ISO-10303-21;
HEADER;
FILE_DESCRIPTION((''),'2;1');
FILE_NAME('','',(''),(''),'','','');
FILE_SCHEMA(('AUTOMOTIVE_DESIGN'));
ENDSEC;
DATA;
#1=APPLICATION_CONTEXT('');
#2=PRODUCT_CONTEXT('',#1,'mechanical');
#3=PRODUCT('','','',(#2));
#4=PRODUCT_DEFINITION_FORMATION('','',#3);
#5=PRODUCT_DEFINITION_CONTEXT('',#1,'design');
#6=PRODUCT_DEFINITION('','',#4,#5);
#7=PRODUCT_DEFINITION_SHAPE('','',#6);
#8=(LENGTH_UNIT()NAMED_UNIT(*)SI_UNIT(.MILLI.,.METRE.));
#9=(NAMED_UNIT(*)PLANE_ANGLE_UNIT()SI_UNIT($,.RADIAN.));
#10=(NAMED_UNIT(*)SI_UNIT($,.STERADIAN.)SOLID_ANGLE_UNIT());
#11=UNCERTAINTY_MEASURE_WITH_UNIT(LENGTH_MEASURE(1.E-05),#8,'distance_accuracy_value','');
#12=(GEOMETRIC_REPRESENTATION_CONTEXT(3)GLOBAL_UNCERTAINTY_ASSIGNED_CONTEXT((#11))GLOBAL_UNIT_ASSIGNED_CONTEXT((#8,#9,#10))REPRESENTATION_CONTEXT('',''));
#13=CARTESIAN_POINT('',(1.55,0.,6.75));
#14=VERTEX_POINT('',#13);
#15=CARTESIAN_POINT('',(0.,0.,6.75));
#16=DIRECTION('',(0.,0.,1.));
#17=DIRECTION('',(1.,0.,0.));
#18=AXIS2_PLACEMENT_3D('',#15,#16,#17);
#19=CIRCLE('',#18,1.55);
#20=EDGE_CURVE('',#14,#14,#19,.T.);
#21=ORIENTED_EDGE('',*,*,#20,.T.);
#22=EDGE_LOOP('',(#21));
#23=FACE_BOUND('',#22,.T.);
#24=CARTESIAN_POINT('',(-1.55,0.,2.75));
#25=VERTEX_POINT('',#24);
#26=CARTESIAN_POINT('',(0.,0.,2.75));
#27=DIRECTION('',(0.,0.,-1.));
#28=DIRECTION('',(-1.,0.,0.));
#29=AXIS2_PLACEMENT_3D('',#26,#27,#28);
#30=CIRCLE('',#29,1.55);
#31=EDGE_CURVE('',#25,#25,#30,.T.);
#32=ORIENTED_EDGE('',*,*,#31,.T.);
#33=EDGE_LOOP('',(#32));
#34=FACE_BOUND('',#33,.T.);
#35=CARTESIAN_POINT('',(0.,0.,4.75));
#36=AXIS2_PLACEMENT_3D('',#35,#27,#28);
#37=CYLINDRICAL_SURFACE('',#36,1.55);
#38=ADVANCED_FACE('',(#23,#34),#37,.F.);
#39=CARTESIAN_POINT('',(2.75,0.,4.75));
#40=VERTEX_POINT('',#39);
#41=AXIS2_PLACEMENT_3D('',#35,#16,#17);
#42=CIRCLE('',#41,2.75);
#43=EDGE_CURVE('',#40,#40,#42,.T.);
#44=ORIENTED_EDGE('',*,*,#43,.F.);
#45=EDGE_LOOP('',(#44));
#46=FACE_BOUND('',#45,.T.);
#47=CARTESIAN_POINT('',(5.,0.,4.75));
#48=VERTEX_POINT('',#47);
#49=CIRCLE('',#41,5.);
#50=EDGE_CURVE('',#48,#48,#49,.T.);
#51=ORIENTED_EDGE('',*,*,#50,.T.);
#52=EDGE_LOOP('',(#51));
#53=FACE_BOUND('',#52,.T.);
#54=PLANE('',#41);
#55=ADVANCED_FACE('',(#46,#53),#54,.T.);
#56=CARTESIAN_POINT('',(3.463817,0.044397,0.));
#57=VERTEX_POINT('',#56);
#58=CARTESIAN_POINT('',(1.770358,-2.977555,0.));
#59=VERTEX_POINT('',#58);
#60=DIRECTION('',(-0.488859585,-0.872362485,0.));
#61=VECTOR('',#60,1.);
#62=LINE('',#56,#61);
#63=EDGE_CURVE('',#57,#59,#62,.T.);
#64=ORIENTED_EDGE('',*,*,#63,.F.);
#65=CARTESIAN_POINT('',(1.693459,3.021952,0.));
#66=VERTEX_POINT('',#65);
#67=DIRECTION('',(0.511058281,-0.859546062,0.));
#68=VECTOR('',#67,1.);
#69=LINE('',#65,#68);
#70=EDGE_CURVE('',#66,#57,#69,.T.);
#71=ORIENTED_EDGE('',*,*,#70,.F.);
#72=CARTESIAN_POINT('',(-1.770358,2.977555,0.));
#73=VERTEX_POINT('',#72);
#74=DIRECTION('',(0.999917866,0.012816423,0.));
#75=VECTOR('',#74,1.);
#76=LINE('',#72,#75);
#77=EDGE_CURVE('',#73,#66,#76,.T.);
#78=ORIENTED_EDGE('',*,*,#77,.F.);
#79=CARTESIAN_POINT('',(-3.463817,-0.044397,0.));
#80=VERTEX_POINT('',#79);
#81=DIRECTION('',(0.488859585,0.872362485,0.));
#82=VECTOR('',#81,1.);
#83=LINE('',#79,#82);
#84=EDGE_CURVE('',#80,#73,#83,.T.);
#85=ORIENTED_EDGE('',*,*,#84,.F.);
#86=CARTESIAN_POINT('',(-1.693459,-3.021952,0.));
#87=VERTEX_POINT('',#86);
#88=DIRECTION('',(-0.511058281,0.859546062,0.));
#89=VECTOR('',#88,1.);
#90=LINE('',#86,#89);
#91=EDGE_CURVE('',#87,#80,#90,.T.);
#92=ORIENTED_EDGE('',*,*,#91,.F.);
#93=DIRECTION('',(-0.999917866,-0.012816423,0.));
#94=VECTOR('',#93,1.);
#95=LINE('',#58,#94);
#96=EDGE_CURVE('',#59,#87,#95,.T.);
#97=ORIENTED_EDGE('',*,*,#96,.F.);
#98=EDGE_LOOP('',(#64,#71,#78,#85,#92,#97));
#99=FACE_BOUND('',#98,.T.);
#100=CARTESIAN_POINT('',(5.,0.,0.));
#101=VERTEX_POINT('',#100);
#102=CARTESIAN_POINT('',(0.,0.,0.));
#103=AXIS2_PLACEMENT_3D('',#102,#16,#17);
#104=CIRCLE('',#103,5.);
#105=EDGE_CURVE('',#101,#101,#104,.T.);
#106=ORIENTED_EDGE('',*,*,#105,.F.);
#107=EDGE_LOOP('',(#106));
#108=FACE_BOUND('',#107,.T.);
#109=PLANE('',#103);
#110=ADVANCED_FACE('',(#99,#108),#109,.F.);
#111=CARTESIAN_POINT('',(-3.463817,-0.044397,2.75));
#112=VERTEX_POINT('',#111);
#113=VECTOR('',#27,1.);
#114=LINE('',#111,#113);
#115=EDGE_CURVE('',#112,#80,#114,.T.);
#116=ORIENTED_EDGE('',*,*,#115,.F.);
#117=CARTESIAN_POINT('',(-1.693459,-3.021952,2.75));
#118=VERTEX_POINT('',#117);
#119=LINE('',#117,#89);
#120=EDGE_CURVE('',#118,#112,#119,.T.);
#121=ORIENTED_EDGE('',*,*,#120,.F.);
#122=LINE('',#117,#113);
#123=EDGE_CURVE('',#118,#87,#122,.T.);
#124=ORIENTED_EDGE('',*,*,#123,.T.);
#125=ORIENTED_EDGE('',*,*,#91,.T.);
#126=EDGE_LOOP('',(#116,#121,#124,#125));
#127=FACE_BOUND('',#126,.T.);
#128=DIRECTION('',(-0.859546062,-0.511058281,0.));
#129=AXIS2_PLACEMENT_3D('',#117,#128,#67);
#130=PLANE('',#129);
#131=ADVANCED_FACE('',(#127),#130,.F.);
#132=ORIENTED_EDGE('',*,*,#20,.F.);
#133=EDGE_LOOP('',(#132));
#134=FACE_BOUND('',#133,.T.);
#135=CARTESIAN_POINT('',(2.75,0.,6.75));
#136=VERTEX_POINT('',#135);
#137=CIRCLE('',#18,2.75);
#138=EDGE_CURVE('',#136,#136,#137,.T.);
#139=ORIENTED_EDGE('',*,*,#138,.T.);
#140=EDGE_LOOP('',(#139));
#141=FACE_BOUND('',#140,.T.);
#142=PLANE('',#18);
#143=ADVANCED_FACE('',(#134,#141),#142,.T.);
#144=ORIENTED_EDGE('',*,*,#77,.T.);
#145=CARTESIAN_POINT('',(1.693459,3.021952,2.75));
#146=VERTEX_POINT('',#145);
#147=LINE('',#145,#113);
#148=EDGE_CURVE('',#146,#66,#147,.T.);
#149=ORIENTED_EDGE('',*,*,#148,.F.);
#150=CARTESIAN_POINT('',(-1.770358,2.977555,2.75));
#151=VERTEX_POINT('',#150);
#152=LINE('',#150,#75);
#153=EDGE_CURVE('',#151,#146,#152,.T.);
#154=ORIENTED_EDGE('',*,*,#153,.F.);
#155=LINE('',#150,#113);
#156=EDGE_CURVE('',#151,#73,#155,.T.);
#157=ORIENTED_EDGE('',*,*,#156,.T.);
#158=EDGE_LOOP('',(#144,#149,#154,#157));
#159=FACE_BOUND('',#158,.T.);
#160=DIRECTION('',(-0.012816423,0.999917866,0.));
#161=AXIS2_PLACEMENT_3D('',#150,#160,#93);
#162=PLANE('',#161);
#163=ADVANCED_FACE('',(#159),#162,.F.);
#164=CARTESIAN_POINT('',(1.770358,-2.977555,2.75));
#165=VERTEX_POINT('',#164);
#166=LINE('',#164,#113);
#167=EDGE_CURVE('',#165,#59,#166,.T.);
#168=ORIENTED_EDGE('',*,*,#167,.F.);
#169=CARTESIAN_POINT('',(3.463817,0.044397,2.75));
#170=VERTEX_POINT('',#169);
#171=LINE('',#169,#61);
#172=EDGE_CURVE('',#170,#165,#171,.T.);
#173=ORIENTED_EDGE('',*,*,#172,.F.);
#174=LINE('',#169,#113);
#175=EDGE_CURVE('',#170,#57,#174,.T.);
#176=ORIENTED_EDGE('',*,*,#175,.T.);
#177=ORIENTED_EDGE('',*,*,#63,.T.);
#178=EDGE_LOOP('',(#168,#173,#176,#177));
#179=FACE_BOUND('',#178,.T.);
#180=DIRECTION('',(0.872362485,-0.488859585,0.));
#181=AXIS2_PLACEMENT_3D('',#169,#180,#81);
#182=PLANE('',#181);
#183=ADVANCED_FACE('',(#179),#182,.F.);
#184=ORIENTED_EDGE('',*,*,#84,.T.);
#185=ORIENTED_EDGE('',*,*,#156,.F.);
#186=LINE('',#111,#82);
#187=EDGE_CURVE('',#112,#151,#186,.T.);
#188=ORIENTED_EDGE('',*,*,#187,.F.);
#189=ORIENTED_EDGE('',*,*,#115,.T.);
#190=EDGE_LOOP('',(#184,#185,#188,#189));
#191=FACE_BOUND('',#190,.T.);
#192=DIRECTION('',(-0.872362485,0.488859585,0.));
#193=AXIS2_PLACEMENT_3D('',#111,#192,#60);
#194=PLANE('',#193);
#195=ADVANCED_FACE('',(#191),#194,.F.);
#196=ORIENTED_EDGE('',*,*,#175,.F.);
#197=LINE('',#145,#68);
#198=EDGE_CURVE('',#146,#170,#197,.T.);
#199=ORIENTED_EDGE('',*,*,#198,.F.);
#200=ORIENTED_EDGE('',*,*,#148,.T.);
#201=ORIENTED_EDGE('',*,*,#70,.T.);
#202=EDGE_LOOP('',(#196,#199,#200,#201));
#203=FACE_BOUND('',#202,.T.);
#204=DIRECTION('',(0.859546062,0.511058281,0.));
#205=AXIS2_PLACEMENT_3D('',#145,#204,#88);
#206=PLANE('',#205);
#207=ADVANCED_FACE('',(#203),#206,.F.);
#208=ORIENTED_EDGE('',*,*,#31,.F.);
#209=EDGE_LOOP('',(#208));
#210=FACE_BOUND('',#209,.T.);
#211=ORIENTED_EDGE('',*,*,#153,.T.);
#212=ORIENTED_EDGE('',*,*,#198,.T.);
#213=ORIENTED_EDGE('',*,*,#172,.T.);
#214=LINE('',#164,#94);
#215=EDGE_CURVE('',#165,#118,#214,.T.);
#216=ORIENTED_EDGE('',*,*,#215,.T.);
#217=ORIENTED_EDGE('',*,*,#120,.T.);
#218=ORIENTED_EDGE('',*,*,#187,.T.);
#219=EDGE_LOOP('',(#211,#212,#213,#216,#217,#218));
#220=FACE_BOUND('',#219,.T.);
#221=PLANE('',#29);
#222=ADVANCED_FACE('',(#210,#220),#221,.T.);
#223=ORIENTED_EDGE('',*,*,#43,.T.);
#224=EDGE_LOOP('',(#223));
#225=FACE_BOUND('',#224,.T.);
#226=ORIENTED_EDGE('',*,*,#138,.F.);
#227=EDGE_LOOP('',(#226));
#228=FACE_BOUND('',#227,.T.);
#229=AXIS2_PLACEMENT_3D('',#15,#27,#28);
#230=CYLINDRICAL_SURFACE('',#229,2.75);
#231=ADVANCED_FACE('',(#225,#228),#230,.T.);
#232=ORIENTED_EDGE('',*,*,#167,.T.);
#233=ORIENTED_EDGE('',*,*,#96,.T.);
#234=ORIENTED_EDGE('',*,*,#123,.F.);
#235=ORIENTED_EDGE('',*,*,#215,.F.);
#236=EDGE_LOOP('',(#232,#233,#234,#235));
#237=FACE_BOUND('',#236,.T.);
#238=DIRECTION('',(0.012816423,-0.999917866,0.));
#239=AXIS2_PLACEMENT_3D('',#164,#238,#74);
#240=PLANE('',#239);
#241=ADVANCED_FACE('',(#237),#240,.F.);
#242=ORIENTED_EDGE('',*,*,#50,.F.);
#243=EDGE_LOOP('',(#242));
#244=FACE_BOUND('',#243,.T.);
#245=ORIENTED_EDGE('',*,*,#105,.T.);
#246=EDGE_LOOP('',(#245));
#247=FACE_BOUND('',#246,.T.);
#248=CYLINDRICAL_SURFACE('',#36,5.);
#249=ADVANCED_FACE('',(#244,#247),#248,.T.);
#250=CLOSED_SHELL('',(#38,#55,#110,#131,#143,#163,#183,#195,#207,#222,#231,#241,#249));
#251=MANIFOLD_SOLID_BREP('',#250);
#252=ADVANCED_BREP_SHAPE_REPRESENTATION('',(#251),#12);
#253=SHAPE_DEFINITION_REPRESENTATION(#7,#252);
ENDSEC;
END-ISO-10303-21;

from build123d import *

# Parameters (mm, degrees)
SKETCH_1_R          = 5
SKETCH_1_R_2        = 1.55
EXTRUDE_1_DEPTH     = 4.75
SKETCH_2_R          = 2.75
SKETCH_2_R_2        = 1.55
EXTRUDE_2_DEPTH     = 2
CUT_EXTRUDE_1_DEPTH = 2.75


with BuildPart() as part:
    # 草图1 → 凸台-拉伸1 (new body)
    with BuildSketch(Plane.XY):
        Circle(SKETCH_1_R)
        Circle(SKETCH_1_R_2, mode=Mode.SUBTRACT)
    extrude(amount=EXTRUDE_1_DEPTH)

    # 草图2 → 凸台-拉伸2 (add)
    with BuildSketch(Plane.XY.offset(4.75)):
        Circle(SKETCH_2_R)
        Circle(SKETCH_2_R_2, mode=Mode.SUBTRACT)
    extrude(amount=EXTRUDE_2_DEPTH)

    # 草图3 → 切除-拉伸1 (cut)
    with BuildSketch(Plane(origin=(0, 0, 0), x_dir=(-1, 0, 0), z_dir=(0, 0, -1))):
        Polygon((1.770357817, 2.977554903), (-1.693459279, 3.021952295), (-3.463817096, 0.044397392), (-1.770357817, -2.977554903), (1.693459279, -3.021952295), (3.463817096, -0.044397392), align=None)
    extrude(amount=-CUT_EXTRUDE_1_DEPTH, mode=Mode.SUBTRACT)


solid = part.part
